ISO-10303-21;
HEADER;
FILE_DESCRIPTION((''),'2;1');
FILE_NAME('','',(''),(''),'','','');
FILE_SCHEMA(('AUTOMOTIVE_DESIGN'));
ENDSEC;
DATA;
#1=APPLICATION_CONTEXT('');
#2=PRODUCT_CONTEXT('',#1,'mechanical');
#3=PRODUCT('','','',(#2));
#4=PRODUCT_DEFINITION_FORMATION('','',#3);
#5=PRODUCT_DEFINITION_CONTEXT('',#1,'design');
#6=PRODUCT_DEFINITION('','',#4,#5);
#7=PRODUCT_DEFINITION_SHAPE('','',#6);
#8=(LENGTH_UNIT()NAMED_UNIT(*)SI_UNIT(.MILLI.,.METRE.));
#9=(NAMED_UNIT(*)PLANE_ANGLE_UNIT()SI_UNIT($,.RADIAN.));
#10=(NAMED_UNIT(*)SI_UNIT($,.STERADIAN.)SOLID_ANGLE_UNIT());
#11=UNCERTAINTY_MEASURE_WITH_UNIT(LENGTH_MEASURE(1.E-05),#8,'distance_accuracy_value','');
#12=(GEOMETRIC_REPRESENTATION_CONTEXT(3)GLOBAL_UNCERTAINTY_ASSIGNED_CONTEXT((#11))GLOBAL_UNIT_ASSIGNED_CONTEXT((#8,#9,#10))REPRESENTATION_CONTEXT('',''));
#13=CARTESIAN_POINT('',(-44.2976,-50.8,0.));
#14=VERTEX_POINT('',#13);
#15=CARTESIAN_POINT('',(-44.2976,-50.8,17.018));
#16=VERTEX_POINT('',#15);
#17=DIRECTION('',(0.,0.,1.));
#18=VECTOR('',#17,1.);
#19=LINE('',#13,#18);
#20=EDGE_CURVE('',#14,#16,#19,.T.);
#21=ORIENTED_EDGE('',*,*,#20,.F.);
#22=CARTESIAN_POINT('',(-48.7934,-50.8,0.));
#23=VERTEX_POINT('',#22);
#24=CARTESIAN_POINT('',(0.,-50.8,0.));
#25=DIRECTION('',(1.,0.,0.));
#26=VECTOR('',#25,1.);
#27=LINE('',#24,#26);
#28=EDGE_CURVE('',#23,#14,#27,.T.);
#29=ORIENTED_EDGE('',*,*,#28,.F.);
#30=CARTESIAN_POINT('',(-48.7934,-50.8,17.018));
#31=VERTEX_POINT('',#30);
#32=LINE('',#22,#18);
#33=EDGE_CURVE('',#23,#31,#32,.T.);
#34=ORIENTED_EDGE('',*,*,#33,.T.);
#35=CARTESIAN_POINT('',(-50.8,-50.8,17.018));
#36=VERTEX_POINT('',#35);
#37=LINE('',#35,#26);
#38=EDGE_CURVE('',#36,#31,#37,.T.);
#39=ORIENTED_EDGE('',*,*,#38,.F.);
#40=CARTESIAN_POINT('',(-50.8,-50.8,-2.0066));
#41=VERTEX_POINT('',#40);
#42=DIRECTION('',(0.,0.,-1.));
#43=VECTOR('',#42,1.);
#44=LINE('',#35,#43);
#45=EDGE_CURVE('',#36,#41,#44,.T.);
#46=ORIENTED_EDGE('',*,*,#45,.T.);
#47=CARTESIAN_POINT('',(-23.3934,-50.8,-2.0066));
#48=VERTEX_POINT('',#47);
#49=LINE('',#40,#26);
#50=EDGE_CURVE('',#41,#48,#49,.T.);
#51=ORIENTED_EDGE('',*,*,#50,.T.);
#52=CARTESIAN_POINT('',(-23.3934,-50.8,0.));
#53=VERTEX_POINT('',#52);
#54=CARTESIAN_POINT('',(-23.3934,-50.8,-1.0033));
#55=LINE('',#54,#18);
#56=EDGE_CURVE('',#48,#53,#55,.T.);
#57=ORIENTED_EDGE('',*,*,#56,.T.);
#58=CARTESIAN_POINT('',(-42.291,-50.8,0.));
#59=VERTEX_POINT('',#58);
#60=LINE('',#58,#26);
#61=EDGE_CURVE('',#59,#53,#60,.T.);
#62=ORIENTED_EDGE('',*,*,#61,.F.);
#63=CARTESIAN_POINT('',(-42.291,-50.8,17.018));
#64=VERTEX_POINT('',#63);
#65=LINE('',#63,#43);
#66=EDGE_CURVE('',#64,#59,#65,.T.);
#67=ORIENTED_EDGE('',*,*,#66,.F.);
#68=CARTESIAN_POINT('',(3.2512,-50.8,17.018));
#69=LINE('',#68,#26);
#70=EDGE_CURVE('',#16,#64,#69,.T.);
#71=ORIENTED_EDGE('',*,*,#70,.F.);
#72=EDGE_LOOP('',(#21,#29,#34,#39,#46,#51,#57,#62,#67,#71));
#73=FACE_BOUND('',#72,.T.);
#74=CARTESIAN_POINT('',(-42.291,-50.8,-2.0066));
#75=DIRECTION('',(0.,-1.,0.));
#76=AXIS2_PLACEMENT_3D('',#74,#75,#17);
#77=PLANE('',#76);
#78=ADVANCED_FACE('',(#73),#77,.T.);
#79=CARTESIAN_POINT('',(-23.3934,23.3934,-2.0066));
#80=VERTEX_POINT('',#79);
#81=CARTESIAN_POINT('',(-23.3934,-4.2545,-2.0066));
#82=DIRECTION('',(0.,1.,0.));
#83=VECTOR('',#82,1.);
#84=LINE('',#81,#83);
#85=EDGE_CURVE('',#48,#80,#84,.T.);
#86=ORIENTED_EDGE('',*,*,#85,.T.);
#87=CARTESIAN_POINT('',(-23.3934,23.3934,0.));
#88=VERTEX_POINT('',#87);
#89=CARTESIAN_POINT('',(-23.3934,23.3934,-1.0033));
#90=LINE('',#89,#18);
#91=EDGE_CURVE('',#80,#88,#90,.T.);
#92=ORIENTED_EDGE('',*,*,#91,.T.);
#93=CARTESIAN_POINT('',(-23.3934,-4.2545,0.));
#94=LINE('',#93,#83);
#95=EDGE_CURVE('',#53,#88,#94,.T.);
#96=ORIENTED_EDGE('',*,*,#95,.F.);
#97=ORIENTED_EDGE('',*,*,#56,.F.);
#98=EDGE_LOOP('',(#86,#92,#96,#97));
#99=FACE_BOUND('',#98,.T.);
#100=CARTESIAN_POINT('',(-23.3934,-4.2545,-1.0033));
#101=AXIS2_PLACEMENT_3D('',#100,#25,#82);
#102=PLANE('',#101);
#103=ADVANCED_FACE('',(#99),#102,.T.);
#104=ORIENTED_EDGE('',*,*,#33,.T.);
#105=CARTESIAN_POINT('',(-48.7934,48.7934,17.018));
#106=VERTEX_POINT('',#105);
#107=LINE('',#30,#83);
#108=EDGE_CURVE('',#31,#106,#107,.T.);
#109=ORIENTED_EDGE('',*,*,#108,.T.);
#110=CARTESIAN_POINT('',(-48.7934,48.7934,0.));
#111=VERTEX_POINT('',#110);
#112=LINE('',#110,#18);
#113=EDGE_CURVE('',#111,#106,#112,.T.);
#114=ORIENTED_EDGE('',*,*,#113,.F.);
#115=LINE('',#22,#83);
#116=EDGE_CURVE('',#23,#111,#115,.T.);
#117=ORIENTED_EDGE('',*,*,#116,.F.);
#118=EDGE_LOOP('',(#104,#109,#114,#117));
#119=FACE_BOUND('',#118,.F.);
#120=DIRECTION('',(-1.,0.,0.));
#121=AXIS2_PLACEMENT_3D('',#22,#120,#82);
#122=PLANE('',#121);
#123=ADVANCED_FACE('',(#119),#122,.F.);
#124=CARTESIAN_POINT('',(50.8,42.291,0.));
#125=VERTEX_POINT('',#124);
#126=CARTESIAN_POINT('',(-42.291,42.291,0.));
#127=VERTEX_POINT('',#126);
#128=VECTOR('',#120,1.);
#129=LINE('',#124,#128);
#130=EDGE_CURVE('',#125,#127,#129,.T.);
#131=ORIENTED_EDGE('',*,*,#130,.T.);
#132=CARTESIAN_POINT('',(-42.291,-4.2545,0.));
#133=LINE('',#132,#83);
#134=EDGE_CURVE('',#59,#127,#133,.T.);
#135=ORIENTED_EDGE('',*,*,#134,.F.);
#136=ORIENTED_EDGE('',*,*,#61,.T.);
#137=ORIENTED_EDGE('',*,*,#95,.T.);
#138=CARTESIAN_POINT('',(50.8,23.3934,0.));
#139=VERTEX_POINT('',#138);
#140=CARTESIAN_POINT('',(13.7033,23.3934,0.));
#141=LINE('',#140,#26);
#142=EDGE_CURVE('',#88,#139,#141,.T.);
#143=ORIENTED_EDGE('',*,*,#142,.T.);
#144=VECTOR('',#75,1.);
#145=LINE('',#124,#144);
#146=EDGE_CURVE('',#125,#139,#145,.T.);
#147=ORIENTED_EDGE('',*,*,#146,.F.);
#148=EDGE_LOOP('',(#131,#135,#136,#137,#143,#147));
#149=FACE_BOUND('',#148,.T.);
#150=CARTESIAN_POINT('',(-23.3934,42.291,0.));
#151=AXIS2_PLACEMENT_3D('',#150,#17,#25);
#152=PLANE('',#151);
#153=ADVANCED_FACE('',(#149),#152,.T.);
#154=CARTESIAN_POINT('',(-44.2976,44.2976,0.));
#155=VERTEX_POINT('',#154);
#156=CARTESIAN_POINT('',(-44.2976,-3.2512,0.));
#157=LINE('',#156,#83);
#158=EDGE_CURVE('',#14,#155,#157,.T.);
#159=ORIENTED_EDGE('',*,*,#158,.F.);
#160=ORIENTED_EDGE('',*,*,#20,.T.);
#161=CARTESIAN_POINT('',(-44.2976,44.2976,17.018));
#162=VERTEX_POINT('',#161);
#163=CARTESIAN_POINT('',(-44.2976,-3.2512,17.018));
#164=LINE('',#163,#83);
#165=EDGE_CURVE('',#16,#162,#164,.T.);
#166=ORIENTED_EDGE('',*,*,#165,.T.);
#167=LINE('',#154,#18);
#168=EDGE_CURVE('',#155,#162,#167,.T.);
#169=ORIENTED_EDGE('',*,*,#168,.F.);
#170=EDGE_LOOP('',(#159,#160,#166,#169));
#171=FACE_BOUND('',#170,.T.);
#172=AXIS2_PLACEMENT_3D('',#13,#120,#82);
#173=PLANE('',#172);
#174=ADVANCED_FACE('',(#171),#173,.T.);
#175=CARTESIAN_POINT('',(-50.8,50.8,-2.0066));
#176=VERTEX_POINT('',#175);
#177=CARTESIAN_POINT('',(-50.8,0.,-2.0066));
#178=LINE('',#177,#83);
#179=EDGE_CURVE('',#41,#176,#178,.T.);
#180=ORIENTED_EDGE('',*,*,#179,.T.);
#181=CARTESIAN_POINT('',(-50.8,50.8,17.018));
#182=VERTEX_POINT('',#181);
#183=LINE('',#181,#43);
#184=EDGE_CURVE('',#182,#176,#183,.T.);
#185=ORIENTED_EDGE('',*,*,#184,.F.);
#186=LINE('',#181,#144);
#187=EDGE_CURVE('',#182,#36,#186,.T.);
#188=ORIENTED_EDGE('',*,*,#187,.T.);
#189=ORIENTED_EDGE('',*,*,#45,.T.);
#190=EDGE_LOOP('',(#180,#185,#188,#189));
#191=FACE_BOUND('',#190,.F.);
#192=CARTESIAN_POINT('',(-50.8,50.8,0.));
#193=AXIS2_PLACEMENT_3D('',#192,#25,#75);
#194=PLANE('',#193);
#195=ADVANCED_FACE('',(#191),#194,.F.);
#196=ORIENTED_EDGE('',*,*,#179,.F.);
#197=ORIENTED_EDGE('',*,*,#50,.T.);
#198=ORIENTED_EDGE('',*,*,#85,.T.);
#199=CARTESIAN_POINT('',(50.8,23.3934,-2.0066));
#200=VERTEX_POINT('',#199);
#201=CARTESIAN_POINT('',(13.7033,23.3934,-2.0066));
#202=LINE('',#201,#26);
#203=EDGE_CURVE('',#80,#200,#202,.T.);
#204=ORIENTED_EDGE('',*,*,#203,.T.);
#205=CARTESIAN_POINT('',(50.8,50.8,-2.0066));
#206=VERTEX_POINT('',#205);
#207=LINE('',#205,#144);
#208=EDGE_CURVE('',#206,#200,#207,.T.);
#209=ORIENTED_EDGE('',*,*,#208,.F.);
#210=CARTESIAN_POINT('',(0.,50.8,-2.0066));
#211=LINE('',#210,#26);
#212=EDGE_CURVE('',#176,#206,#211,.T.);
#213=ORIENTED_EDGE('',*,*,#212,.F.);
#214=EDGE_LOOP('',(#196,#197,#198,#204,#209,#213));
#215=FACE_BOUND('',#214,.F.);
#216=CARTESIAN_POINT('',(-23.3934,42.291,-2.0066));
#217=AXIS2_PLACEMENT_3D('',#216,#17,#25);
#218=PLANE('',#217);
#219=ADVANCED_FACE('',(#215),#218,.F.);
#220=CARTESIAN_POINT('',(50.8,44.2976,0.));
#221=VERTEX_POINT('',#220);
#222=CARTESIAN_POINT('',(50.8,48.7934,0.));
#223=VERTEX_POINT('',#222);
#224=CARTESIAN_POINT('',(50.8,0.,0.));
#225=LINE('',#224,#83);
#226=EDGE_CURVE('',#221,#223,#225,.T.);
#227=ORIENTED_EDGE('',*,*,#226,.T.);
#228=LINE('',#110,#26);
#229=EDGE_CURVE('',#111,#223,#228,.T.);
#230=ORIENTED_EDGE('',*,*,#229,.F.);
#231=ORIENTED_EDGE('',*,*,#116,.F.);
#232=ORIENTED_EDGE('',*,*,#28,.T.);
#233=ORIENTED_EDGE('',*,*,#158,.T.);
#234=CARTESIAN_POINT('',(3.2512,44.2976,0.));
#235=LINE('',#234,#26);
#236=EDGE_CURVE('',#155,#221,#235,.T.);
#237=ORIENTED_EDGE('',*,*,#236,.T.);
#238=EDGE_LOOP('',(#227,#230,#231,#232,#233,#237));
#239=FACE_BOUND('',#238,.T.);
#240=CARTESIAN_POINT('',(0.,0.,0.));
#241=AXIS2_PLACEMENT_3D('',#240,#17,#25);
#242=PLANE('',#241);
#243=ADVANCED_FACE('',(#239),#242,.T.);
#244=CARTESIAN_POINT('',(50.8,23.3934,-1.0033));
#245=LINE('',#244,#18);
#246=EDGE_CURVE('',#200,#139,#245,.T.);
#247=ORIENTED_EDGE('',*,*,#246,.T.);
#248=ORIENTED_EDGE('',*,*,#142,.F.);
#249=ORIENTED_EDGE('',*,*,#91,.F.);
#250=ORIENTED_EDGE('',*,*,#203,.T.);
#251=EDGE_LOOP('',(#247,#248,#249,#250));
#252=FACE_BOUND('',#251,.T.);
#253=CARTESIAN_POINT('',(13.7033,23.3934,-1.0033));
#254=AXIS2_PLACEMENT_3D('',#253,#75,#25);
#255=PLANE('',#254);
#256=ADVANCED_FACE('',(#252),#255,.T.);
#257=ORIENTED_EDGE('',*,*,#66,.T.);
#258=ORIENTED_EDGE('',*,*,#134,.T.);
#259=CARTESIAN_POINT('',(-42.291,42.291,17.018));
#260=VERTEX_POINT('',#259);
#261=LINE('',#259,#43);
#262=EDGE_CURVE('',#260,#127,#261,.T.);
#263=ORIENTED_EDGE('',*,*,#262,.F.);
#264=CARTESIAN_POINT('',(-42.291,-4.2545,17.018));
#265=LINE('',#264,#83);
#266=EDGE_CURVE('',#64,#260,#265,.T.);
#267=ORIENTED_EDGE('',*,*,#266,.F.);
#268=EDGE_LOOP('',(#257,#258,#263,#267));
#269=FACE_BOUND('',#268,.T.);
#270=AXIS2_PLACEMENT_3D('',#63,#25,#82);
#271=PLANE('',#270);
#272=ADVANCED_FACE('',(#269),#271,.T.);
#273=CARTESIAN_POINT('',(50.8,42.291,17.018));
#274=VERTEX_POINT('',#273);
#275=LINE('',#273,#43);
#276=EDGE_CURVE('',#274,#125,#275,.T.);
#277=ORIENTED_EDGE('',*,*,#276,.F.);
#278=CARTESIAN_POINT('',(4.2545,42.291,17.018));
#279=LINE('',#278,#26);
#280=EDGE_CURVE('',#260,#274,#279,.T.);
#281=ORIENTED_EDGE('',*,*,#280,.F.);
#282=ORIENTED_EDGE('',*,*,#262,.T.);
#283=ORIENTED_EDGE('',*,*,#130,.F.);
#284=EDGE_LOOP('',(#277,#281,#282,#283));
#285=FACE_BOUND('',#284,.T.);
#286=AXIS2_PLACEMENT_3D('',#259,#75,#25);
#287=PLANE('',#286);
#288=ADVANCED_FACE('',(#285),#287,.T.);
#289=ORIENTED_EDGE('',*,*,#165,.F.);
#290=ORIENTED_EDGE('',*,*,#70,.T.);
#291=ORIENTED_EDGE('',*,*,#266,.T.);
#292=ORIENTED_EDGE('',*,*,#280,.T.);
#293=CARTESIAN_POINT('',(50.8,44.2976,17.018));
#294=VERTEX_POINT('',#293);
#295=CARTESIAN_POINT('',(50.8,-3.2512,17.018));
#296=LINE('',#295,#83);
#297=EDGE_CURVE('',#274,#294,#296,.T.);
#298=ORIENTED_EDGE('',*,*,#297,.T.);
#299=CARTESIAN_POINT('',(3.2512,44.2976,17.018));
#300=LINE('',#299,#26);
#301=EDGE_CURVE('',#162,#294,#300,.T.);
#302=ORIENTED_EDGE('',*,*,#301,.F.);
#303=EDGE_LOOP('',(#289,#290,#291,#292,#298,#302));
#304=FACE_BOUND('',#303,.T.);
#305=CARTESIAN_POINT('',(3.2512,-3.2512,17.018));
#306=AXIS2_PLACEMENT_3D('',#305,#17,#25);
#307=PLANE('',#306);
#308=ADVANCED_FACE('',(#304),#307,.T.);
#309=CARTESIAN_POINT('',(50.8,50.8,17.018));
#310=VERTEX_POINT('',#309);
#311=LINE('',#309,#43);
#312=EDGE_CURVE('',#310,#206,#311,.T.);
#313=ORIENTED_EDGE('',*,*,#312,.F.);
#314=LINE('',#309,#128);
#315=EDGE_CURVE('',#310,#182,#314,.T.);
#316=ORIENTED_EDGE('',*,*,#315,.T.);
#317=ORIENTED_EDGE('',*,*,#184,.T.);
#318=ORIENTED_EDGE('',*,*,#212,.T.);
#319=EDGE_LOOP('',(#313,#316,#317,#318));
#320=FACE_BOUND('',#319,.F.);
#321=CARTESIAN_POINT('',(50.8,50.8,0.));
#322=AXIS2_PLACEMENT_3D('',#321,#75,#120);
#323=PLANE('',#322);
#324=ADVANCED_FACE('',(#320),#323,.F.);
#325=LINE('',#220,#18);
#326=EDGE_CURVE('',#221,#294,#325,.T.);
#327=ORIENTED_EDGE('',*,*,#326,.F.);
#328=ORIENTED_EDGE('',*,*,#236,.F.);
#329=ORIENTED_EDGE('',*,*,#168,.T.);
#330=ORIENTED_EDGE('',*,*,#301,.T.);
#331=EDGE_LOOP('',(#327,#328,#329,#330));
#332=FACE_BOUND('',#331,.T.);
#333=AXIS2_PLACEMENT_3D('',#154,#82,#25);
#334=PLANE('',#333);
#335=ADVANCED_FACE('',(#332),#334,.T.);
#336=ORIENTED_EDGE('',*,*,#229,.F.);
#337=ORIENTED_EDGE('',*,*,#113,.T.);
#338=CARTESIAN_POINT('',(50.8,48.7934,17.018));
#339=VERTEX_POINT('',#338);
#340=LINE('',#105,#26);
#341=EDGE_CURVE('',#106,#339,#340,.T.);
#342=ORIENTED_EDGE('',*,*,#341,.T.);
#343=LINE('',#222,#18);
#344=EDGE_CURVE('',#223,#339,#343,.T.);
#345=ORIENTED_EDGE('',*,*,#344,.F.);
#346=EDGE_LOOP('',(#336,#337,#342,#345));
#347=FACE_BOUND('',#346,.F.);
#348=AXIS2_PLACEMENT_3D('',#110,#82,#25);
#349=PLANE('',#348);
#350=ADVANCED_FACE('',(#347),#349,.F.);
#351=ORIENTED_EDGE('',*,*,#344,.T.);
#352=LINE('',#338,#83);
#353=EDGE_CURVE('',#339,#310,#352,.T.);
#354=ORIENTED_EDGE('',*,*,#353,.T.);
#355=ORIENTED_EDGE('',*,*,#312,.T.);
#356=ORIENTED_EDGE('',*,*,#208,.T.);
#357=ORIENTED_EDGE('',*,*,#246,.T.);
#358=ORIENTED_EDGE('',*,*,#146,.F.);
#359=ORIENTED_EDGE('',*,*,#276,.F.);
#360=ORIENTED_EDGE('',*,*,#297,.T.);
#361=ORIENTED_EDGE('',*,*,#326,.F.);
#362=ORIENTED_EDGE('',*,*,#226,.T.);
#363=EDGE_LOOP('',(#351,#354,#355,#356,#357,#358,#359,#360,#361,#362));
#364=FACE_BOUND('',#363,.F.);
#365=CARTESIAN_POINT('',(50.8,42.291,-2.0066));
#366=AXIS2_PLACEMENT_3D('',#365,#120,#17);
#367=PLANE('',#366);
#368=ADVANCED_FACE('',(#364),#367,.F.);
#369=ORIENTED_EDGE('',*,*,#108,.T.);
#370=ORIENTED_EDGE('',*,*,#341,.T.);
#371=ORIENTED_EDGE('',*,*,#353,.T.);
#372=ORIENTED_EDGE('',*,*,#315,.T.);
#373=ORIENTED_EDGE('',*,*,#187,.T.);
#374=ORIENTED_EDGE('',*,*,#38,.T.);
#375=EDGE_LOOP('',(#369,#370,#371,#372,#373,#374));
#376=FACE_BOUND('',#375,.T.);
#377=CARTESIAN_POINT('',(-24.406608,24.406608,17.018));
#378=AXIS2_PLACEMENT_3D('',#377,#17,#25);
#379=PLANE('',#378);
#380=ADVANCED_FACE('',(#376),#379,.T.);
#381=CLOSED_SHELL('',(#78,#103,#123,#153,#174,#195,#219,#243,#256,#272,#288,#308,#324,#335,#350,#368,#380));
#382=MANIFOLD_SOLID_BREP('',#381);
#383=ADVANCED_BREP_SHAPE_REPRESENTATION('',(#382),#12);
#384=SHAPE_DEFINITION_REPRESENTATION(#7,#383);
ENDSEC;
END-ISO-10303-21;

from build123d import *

# Parameters (mm, degrees)
F0_W      = 101.6
F0_H      = 101.6
F1_DEPTH  = 2.0066
F3_DEPTH  = 17.018
F4_W      = 95.0976
F4_H      = 95.0976
F5_DEPTH  = 17.018
F6_W      = 93.091
F6_H      = 93.091
F7_DEPTH  = 19.0256
F8_W      = 93.091
F8_H      = 2.0066
F9_DEPTH  = 18.8976
F10_W     = 74.1934
F10_H     = 2.0066
F11_DEPTH = 18.8976


with BuildPart() as f1:
    # F0 (on Top) → F1 (new body)
    with BuildSketch(Plane.XY):
        Rectangle(F0_W, F0_H)
    extrude(amount=-F1_DEPTH)

    # F2 (on face) → F3 (join)
    with BuildSketch(Plane.XY):
        Polygon((-50.8, -50.8), (-48.7934, -50.8), (-48.7934, 48.7934), (50.8, 48.7934), (50.8, 50.8), (-50.8, 50.8), align=None)
    extrude(amount=F3_DEPTH)

    # F4 (on face) → F5 (join, through all)
    with BuildSketch(Plane.XY):
        with Locations((3.2512, -3.2512)):
            Rectangle(F4_W, F4_H)
    extrude(amount=F5_DEPTH)

    # F6 (on face) → F7 (cut, through all)
    with BuildSketch(Plane.XY.offset(17.018)):
        with Locations((4.2545, -4.2545)):
            Rectangle(F6_W, F6_H)
    extrude(amount=-F7_DEPTH, mode=Mode.SUBTRACT)

    # F8 (on face) → F9 (join)
    with BuildSketch(Plane.YZ.offset(-42.291)):
        with Locations((-4.2545, -1.0033)):
            Rectangle(F8_W, F8_H)
    extrude(amount=F9_DEPTH)

    # F10 (on face) → F11 (join)
    with BuildSketch(Plane.XZ.offset(-42.291)):
        with Locations((13.7033, -1.0033)):
            Rectangle(F10_W, F10_H)
    extrude(amount=F11_DEPTH)


solid = f1.part
